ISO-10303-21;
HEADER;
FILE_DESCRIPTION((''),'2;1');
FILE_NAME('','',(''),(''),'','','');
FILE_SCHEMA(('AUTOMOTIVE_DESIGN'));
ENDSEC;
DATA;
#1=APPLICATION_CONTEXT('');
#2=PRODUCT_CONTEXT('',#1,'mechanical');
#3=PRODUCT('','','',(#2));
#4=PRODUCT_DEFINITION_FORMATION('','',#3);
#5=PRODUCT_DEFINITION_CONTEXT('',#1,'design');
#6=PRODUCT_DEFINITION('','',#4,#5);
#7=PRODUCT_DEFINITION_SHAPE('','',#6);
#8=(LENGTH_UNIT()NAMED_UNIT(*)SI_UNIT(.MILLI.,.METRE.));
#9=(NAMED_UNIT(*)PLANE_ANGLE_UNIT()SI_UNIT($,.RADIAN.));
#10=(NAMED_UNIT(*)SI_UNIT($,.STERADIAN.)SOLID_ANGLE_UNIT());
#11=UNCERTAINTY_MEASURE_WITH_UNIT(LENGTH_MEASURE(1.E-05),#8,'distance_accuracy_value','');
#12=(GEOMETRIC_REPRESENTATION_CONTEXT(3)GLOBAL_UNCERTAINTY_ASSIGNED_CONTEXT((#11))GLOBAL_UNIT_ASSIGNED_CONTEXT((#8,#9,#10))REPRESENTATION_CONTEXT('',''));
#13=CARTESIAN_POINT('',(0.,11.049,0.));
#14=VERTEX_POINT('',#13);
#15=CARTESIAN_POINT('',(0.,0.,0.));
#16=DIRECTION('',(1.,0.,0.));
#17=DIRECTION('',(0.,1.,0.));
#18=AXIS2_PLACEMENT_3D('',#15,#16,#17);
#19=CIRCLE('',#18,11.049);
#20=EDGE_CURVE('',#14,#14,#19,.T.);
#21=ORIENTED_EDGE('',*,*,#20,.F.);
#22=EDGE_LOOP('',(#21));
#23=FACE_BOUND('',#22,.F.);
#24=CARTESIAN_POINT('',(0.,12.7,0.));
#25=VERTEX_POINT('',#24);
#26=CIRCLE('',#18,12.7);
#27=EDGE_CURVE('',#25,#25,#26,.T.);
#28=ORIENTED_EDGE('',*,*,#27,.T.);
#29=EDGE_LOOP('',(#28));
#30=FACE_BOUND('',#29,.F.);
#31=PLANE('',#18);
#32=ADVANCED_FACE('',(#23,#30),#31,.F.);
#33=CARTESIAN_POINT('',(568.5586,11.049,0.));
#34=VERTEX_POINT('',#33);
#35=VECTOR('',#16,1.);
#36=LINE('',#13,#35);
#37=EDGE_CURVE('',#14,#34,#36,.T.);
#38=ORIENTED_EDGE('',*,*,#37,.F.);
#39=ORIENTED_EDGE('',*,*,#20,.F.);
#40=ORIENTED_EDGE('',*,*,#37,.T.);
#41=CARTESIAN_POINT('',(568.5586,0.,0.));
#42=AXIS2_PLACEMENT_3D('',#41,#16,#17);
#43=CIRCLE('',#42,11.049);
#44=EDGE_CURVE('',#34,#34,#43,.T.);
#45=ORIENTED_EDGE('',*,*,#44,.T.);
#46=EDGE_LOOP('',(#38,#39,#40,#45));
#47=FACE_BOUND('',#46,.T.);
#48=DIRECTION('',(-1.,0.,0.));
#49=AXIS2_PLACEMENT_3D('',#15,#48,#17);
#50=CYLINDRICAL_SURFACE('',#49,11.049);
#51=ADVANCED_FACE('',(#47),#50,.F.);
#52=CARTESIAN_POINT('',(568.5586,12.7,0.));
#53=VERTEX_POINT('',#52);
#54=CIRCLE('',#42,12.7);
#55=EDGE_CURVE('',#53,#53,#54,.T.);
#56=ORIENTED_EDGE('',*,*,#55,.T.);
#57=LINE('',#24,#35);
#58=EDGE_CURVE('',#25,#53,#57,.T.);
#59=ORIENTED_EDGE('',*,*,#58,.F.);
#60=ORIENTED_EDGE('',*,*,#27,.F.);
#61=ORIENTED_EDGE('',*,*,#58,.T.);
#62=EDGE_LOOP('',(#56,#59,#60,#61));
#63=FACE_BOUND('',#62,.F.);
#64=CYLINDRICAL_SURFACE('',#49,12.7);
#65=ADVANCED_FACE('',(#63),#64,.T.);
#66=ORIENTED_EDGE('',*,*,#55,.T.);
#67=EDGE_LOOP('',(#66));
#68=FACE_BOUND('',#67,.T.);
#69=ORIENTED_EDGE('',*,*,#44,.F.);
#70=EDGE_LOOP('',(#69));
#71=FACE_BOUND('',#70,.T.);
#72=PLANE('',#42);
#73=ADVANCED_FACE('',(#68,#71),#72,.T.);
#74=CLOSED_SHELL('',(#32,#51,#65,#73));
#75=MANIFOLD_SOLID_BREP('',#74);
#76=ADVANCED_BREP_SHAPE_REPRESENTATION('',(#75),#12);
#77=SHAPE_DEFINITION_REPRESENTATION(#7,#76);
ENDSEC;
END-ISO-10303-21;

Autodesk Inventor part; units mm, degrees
ref_plane "XZ Plane" through (0, 0, 0) normal (0, 1, 0) x (-1, 0, 0)
ref_plane "Start Plane" through (0, 0, 0) normal (1, 0, 0) x (0, 1, 0)
ref_plane "End Plane" through (568.5586, 0, 0) normal (1, 0, 0) x (0, 1, 0)
sketch "Sketch" plane through (0, 0, 0) normal (1, 0, 0) x (0, 1, 0)
  circle A0 centre (0, 0) radius 12.7
  circle A1 centre (0, 0) radius 11.049
  dimension "d0" = 25.4
  dimension "d1" = 1.651
extrude "Body" add sketch "Sketch" along normal up to surface (568.5586 mm away) from surface at 0
sketch "Sketch2" plane through (0, 0, 0) normal (1, 0, 0) x (0, 1, 0)
  line L0 (0, 0) -> (10, 0)
ref_plane "Work Plane3" through (0, 0, 0) normal (0, 0, -1) x (0, 1, 0)
sketch "Sketch3" plane through (0, 0, 0) normal (0, 0, -1) x (0, 1, 0)
  line L0 (-2, 0) -> (12, 0)
  line L1 (-2, 568.5586) -> (12, 568.5586)
  dimension "d9" = 568.5586
equation "\"G_OFFSET_START\" = 0"
equation "\"G_OFFSET_END\" = 0"
equation "\"d5\" = d2 + G_OFFSET_END"
equation "\"G_L\" = d9"
equation "\"d2\" = 568.558639"
properties part number "4130_1x0.065" material "Steel, Alloy"
